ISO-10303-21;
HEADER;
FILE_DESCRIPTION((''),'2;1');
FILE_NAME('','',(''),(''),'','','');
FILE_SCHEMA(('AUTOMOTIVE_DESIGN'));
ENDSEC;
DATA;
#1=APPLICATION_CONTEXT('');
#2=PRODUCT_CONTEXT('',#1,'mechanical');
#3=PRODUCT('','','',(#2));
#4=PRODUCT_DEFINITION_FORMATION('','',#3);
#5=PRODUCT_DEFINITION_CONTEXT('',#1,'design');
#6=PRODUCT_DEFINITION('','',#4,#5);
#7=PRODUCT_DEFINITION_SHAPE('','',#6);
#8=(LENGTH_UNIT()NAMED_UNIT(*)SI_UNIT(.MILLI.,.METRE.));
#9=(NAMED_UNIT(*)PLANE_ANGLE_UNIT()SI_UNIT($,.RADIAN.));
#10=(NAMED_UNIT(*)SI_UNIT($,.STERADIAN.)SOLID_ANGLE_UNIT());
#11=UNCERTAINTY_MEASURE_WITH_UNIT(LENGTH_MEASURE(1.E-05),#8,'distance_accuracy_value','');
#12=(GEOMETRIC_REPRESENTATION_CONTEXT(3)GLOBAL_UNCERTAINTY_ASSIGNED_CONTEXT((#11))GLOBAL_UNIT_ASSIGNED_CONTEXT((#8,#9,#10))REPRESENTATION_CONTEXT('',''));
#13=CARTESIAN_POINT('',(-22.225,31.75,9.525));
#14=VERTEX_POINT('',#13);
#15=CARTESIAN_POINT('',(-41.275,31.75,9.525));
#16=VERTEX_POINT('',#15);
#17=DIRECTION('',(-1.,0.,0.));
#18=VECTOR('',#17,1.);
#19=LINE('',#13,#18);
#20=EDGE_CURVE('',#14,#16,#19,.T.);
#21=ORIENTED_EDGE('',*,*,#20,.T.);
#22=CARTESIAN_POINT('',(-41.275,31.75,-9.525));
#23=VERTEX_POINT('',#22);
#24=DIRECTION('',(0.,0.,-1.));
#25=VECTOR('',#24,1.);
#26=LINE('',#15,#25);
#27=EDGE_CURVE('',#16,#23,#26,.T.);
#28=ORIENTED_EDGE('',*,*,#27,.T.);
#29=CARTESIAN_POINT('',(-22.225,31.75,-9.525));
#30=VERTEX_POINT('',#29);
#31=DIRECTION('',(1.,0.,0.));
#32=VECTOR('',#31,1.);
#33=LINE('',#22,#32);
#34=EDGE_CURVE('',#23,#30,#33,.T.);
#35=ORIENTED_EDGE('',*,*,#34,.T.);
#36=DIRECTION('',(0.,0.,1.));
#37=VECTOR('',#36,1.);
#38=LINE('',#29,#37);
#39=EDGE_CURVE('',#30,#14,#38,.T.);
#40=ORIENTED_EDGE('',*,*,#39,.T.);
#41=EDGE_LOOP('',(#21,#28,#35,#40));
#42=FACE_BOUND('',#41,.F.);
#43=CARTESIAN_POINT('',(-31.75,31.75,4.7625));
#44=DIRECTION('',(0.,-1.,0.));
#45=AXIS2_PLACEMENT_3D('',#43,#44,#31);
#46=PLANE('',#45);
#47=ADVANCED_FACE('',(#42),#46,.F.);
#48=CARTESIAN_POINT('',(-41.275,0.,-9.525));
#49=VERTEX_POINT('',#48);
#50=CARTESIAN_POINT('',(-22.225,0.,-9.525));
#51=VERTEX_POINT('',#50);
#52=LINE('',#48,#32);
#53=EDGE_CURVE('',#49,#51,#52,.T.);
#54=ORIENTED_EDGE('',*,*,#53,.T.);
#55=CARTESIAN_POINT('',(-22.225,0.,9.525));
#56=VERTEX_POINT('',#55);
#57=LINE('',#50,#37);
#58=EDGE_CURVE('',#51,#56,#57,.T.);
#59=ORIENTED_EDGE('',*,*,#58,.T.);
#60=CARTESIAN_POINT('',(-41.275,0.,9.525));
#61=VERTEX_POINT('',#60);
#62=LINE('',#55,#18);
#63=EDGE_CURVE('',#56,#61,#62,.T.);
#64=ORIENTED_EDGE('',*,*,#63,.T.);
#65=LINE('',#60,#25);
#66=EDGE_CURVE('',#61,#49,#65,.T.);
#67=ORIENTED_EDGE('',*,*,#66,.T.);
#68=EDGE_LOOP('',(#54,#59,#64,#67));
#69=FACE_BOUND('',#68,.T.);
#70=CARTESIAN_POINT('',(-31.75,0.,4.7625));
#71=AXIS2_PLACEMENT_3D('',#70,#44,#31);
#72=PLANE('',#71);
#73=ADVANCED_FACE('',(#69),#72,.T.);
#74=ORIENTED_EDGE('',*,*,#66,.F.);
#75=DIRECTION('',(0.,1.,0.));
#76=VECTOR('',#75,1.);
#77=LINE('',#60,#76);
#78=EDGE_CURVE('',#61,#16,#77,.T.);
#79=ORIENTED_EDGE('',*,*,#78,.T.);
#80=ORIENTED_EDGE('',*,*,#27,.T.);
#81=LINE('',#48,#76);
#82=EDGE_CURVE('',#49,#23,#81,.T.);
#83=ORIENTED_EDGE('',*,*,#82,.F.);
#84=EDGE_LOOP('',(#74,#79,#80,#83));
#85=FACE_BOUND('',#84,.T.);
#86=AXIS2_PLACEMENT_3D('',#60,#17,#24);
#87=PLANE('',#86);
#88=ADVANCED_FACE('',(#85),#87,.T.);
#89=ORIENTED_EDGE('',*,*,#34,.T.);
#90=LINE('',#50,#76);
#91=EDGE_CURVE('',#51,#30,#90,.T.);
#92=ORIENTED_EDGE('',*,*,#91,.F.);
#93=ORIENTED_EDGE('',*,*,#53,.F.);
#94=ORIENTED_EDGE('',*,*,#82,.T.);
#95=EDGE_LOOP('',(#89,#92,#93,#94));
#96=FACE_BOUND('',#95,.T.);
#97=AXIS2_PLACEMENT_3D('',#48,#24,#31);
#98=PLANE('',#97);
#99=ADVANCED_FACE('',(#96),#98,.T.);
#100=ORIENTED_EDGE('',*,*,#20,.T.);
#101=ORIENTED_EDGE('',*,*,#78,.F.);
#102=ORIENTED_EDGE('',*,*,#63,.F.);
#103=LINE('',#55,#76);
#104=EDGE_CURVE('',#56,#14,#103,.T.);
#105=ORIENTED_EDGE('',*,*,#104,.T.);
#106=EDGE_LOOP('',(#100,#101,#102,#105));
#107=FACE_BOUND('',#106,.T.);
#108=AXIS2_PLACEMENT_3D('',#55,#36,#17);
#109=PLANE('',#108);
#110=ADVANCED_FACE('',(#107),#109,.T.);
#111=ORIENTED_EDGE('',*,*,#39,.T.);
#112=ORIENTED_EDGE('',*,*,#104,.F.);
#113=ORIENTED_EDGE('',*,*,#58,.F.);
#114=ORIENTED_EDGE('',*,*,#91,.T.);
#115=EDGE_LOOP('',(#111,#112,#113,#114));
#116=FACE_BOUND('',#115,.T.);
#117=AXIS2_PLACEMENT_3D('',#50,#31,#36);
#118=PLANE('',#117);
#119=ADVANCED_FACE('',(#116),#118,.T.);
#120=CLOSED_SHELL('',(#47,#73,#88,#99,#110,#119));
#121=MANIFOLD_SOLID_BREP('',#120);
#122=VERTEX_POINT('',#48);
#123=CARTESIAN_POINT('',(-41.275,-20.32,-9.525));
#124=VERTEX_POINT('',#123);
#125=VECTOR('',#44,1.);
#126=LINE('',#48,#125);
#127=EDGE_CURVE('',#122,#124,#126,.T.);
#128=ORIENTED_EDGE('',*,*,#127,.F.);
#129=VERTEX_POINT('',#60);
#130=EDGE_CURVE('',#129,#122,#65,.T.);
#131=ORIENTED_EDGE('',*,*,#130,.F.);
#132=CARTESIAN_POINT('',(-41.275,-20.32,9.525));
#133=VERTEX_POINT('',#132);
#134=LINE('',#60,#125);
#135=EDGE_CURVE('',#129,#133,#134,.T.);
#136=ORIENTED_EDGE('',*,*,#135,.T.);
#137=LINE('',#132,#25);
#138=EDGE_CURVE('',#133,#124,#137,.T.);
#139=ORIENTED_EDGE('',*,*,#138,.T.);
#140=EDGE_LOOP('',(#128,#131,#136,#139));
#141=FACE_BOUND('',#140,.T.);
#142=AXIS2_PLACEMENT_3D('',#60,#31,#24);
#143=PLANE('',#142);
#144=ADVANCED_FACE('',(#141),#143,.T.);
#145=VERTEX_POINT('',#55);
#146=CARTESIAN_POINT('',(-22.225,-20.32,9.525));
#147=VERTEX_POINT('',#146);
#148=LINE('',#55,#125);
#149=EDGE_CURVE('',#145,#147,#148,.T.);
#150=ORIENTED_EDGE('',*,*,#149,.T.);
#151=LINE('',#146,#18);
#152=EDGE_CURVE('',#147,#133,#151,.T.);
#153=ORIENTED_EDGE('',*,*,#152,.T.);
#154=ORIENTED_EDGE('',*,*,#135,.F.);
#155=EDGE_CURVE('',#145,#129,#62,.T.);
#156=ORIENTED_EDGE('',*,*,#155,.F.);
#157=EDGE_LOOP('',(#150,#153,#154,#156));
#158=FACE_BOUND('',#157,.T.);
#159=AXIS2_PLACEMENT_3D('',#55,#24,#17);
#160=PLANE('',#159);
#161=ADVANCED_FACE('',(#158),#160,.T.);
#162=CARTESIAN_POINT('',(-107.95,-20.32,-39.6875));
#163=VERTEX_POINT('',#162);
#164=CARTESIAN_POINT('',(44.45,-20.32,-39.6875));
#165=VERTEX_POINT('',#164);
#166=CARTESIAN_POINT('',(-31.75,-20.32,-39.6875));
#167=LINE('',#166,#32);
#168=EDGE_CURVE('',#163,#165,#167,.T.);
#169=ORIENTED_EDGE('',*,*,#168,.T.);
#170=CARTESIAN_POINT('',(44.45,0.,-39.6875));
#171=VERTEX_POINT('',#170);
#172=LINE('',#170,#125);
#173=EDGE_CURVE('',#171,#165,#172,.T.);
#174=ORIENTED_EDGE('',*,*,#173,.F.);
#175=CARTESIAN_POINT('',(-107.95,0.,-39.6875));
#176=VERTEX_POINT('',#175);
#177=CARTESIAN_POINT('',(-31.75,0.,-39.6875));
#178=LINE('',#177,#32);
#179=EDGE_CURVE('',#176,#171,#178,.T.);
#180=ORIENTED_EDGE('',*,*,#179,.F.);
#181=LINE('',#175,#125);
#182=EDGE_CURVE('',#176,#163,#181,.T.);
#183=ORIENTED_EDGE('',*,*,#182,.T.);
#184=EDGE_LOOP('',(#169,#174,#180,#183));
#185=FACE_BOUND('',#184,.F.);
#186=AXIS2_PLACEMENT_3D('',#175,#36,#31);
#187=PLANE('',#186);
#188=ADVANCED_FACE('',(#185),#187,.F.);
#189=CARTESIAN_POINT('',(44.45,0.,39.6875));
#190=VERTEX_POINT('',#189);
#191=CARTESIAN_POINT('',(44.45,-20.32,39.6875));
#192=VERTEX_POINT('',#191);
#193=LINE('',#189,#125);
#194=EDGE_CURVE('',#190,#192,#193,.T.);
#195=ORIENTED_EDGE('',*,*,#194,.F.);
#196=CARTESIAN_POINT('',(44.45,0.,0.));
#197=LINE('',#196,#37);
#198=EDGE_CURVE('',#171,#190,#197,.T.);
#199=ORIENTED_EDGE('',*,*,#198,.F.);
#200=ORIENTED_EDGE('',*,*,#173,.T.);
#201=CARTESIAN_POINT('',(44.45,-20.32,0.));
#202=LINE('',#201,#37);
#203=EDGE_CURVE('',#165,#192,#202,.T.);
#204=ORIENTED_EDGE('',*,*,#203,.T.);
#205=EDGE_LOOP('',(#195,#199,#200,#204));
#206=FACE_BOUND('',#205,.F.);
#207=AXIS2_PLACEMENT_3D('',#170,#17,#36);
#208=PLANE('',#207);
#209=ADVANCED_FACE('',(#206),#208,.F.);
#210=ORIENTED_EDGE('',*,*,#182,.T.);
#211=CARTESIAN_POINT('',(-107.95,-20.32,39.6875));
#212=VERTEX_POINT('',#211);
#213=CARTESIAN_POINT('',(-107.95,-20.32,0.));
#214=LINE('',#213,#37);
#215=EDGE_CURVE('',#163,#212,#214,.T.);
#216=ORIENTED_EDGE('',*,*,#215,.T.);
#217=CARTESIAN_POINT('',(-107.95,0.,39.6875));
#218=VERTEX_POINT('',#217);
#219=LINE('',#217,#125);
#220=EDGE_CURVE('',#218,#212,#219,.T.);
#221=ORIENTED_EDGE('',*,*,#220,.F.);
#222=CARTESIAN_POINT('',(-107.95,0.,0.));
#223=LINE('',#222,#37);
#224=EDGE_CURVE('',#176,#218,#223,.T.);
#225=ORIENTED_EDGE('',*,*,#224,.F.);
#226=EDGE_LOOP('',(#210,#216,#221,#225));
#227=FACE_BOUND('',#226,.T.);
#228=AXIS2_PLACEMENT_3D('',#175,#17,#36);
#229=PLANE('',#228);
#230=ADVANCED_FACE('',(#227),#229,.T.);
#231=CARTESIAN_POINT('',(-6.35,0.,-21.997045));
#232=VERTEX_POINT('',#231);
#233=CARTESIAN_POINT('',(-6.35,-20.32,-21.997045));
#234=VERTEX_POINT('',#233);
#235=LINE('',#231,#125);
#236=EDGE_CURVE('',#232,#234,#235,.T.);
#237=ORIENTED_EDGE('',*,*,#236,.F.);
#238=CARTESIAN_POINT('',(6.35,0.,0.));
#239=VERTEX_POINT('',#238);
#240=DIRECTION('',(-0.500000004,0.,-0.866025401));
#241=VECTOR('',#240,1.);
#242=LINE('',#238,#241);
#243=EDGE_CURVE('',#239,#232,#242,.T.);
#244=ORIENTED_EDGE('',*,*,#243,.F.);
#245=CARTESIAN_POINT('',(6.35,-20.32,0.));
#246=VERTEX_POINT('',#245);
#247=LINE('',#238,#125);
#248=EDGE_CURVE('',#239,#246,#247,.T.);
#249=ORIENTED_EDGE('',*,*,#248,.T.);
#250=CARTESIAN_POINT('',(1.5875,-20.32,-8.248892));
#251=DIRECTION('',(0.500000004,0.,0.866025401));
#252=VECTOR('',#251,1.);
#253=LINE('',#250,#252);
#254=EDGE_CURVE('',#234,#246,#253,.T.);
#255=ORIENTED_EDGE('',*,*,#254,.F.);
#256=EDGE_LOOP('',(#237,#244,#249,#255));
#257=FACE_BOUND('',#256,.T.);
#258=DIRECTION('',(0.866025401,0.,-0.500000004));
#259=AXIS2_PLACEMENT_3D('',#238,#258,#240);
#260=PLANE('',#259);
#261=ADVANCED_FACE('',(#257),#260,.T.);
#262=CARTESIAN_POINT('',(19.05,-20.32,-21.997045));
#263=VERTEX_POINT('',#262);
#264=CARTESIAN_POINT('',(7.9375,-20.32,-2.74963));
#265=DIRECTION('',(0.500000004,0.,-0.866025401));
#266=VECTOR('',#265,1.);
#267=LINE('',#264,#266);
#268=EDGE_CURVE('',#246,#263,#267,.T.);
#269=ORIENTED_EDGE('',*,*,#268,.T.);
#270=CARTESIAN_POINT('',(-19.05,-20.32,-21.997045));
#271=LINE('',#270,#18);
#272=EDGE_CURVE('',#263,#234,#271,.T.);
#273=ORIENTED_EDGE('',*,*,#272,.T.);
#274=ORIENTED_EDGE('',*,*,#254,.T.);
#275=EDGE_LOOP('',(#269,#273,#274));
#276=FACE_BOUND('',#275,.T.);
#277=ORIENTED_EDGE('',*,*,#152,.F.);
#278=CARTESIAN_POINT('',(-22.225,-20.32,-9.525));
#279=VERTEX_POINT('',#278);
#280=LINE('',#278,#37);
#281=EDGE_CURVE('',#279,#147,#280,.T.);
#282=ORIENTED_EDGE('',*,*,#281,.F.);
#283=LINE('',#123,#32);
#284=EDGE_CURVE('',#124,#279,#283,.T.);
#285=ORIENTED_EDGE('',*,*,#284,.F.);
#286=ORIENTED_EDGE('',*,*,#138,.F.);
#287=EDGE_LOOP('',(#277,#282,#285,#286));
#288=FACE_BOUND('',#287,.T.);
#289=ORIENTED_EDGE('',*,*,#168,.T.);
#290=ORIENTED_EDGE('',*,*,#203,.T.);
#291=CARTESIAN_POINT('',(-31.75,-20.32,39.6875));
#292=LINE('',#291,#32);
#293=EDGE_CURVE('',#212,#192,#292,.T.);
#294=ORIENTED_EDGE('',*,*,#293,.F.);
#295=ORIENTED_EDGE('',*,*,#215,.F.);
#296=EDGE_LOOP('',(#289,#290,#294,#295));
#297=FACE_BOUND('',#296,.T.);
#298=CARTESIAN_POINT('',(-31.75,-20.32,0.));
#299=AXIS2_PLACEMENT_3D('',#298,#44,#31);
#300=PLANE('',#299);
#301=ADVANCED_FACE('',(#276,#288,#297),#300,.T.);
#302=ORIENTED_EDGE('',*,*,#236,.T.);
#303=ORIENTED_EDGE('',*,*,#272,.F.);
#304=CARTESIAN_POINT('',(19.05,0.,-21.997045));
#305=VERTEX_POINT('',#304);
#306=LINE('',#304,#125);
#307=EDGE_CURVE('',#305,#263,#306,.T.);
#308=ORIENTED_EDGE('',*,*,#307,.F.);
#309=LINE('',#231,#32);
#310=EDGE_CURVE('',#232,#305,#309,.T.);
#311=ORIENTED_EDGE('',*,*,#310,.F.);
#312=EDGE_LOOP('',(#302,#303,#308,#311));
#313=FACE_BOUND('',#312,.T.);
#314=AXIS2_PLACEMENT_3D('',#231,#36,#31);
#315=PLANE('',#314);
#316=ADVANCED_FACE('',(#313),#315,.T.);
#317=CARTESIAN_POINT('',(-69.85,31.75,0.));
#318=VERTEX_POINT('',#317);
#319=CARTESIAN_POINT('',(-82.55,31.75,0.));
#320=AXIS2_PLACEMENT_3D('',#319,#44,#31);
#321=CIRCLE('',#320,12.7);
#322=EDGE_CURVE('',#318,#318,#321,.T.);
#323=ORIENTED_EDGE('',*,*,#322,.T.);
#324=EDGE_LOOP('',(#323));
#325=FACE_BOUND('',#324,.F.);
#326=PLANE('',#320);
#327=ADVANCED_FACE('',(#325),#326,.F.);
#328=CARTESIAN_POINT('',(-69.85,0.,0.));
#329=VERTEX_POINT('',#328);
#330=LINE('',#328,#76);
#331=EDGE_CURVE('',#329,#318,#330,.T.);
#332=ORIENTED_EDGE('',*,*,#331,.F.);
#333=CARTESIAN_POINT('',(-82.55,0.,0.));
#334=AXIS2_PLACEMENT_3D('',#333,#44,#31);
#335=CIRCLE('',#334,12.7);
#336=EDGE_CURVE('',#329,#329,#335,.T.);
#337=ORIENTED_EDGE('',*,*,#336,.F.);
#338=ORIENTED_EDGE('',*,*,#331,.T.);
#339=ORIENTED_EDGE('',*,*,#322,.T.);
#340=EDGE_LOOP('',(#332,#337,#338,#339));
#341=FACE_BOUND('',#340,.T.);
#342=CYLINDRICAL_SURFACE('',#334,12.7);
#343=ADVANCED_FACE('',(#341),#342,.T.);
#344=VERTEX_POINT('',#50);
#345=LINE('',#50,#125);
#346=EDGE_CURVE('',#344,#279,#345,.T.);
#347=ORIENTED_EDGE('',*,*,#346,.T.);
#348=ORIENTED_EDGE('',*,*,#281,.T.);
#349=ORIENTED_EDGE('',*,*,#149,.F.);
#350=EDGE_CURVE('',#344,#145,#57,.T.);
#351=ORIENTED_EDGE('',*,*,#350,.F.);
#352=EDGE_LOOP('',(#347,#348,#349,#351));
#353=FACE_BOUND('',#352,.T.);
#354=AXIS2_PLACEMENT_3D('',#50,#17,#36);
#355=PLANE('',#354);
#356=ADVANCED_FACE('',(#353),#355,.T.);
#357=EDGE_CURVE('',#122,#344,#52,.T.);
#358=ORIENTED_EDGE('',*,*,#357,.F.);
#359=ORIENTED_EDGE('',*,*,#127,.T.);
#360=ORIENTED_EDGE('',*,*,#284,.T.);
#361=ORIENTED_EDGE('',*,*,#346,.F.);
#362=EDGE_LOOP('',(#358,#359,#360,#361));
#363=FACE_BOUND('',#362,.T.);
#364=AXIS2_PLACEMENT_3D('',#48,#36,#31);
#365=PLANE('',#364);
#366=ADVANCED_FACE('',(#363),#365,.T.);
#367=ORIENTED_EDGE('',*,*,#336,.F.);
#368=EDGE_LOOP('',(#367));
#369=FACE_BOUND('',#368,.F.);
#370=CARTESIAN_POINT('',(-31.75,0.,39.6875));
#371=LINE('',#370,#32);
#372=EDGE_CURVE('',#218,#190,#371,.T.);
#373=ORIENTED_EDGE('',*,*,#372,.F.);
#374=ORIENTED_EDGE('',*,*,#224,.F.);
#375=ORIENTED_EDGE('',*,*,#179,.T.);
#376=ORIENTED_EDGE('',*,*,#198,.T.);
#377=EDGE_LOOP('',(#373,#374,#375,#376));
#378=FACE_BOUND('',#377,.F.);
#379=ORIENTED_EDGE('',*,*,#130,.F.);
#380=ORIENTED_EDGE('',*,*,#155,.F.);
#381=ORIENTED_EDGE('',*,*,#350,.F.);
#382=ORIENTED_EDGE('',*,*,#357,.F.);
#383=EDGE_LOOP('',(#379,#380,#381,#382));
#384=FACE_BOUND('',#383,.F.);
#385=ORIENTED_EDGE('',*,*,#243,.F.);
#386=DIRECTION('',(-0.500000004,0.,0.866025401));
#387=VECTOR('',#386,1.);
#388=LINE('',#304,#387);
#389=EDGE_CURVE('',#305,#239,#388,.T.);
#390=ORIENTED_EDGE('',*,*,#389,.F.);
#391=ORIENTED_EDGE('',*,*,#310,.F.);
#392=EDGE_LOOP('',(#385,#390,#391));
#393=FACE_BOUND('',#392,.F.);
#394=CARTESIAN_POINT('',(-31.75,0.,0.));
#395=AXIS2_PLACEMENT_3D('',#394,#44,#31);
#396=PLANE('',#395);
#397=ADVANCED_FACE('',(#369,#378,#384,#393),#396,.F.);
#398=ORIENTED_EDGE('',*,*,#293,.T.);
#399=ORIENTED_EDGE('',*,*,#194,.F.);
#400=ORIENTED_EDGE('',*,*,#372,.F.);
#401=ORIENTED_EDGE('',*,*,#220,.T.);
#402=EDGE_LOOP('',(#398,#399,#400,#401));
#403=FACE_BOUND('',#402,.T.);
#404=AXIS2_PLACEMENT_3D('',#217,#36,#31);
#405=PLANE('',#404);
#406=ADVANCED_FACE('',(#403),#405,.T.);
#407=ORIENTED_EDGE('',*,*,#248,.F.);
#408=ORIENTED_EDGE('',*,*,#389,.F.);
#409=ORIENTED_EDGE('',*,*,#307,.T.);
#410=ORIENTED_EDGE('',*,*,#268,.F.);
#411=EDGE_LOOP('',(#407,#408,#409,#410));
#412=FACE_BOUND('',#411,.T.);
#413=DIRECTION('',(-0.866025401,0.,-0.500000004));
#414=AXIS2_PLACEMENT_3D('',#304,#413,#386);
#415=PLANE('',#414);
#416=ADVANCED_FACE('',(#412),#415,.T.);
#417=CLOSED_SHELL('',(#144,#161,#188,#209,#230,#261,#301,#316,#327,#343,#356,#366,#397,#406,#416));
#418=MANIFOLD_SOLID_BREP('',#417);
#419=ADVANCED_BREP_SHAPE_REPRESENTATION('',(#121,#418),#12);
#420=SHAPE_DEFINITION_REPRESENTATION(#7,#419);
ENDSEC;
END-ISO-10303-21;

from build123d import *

# Parameters (mm, degrees)
F0_W     = 152.4
F0_H     = 79.375
F0_R     = 12.7
F1_DEPTH = 20.32
F2_DEPTH = 31.75
F3_DEPTH = 31.75
F4_DEPTH = 20.32
F5_DEPTH = 25.4


with BuildPart() as f1:
    # F0 (on Front) → F1 (new body)
    with BuildSketch(Plane.XZ):
        with Locations((-31.75, 0)):
            Rectangle(F0_W, F0_H)
        Polygon((-6.35, -21.997045), (6.35, 0), (19.05, -21.997045), align=None, mode=Mode.SUBTRACT)
        with Locations((-82.55, 0)):
            Circle(F0_R, mode=Mode.SUBTRACT)
        Polygon((-22.225, 9.525), (-22.225, 0), (-22.225, -9.525), (-41.275, -9.525), (-41.275, 0), (-41.275, 9.525), align=None, mode=Mode.SUBTRACT)
        with Locations((-82.55, 0)):
            Circle(F0_R)
        Polygon((-31.75, 0), (-22.225, 0), (-22.225, 9.525), (-41.275, 9.525), (-41.275, 0), align=None)
        Polygon((-22.225, -9.525), (-22.225, 0), (-31.75, 0), (-41.275, 0), (-41.275, -9.525), align=None)
        Polygon((19.05, -21.997045), (6.35, 0), (-6.35, -21.997045), align=None)
    extrude(amount=F1_DEPTH)

    # F0 (on Front) → F2 (join)
    with BuildSketch(Plane.XZ):
        with Locations((-82.55, 0)):
            Circle(F0_R)
    extrude(amount=-F2_DEPTH)

    # F0 (on Front) → F3 (join)
    with BuildSketch(Plane.XZ):
        Polygon((-31.75, 0), (-22.225, 0), (-22.225, 9.525), (-41.275, 9.525), (-41.275, 0), align=None)
        Polygon((-22.225, -9.525), (-22.225, 0), (-31.75, 0), (-41.275, 0), (-41.275, -9.525), align=None)
    extrude(amount=-F3_DEPTH)

    # F0 (on Front) → F4 (cut)
    with BuildSketch(Plane.XZ):
        Polygon((-31.75, 0), (-22.225, 0), (-22.225, 9.525), (-41.275, 9.525), (-41.275, 0), align=None)
        Polygon((-22.225, -9.525), (-22.225, 0), (-31.75, 0), (-41.275, 0), (-41.275, -9.525), align=None)
    extrude(amount=F4_DEPTH, mode=Mode.SUBTRACT)

    # F0 (on Front) → F5 (cut)
    with BuildSketch(Plane.XZ):
        Polygon((19.05, -21.997045), (6.35, 0), (-6.35, -21.997045), align=None)
    extrude(amount=F5_DEPTH, mode=Mode.SUBTRACT)


solid = f1.part
